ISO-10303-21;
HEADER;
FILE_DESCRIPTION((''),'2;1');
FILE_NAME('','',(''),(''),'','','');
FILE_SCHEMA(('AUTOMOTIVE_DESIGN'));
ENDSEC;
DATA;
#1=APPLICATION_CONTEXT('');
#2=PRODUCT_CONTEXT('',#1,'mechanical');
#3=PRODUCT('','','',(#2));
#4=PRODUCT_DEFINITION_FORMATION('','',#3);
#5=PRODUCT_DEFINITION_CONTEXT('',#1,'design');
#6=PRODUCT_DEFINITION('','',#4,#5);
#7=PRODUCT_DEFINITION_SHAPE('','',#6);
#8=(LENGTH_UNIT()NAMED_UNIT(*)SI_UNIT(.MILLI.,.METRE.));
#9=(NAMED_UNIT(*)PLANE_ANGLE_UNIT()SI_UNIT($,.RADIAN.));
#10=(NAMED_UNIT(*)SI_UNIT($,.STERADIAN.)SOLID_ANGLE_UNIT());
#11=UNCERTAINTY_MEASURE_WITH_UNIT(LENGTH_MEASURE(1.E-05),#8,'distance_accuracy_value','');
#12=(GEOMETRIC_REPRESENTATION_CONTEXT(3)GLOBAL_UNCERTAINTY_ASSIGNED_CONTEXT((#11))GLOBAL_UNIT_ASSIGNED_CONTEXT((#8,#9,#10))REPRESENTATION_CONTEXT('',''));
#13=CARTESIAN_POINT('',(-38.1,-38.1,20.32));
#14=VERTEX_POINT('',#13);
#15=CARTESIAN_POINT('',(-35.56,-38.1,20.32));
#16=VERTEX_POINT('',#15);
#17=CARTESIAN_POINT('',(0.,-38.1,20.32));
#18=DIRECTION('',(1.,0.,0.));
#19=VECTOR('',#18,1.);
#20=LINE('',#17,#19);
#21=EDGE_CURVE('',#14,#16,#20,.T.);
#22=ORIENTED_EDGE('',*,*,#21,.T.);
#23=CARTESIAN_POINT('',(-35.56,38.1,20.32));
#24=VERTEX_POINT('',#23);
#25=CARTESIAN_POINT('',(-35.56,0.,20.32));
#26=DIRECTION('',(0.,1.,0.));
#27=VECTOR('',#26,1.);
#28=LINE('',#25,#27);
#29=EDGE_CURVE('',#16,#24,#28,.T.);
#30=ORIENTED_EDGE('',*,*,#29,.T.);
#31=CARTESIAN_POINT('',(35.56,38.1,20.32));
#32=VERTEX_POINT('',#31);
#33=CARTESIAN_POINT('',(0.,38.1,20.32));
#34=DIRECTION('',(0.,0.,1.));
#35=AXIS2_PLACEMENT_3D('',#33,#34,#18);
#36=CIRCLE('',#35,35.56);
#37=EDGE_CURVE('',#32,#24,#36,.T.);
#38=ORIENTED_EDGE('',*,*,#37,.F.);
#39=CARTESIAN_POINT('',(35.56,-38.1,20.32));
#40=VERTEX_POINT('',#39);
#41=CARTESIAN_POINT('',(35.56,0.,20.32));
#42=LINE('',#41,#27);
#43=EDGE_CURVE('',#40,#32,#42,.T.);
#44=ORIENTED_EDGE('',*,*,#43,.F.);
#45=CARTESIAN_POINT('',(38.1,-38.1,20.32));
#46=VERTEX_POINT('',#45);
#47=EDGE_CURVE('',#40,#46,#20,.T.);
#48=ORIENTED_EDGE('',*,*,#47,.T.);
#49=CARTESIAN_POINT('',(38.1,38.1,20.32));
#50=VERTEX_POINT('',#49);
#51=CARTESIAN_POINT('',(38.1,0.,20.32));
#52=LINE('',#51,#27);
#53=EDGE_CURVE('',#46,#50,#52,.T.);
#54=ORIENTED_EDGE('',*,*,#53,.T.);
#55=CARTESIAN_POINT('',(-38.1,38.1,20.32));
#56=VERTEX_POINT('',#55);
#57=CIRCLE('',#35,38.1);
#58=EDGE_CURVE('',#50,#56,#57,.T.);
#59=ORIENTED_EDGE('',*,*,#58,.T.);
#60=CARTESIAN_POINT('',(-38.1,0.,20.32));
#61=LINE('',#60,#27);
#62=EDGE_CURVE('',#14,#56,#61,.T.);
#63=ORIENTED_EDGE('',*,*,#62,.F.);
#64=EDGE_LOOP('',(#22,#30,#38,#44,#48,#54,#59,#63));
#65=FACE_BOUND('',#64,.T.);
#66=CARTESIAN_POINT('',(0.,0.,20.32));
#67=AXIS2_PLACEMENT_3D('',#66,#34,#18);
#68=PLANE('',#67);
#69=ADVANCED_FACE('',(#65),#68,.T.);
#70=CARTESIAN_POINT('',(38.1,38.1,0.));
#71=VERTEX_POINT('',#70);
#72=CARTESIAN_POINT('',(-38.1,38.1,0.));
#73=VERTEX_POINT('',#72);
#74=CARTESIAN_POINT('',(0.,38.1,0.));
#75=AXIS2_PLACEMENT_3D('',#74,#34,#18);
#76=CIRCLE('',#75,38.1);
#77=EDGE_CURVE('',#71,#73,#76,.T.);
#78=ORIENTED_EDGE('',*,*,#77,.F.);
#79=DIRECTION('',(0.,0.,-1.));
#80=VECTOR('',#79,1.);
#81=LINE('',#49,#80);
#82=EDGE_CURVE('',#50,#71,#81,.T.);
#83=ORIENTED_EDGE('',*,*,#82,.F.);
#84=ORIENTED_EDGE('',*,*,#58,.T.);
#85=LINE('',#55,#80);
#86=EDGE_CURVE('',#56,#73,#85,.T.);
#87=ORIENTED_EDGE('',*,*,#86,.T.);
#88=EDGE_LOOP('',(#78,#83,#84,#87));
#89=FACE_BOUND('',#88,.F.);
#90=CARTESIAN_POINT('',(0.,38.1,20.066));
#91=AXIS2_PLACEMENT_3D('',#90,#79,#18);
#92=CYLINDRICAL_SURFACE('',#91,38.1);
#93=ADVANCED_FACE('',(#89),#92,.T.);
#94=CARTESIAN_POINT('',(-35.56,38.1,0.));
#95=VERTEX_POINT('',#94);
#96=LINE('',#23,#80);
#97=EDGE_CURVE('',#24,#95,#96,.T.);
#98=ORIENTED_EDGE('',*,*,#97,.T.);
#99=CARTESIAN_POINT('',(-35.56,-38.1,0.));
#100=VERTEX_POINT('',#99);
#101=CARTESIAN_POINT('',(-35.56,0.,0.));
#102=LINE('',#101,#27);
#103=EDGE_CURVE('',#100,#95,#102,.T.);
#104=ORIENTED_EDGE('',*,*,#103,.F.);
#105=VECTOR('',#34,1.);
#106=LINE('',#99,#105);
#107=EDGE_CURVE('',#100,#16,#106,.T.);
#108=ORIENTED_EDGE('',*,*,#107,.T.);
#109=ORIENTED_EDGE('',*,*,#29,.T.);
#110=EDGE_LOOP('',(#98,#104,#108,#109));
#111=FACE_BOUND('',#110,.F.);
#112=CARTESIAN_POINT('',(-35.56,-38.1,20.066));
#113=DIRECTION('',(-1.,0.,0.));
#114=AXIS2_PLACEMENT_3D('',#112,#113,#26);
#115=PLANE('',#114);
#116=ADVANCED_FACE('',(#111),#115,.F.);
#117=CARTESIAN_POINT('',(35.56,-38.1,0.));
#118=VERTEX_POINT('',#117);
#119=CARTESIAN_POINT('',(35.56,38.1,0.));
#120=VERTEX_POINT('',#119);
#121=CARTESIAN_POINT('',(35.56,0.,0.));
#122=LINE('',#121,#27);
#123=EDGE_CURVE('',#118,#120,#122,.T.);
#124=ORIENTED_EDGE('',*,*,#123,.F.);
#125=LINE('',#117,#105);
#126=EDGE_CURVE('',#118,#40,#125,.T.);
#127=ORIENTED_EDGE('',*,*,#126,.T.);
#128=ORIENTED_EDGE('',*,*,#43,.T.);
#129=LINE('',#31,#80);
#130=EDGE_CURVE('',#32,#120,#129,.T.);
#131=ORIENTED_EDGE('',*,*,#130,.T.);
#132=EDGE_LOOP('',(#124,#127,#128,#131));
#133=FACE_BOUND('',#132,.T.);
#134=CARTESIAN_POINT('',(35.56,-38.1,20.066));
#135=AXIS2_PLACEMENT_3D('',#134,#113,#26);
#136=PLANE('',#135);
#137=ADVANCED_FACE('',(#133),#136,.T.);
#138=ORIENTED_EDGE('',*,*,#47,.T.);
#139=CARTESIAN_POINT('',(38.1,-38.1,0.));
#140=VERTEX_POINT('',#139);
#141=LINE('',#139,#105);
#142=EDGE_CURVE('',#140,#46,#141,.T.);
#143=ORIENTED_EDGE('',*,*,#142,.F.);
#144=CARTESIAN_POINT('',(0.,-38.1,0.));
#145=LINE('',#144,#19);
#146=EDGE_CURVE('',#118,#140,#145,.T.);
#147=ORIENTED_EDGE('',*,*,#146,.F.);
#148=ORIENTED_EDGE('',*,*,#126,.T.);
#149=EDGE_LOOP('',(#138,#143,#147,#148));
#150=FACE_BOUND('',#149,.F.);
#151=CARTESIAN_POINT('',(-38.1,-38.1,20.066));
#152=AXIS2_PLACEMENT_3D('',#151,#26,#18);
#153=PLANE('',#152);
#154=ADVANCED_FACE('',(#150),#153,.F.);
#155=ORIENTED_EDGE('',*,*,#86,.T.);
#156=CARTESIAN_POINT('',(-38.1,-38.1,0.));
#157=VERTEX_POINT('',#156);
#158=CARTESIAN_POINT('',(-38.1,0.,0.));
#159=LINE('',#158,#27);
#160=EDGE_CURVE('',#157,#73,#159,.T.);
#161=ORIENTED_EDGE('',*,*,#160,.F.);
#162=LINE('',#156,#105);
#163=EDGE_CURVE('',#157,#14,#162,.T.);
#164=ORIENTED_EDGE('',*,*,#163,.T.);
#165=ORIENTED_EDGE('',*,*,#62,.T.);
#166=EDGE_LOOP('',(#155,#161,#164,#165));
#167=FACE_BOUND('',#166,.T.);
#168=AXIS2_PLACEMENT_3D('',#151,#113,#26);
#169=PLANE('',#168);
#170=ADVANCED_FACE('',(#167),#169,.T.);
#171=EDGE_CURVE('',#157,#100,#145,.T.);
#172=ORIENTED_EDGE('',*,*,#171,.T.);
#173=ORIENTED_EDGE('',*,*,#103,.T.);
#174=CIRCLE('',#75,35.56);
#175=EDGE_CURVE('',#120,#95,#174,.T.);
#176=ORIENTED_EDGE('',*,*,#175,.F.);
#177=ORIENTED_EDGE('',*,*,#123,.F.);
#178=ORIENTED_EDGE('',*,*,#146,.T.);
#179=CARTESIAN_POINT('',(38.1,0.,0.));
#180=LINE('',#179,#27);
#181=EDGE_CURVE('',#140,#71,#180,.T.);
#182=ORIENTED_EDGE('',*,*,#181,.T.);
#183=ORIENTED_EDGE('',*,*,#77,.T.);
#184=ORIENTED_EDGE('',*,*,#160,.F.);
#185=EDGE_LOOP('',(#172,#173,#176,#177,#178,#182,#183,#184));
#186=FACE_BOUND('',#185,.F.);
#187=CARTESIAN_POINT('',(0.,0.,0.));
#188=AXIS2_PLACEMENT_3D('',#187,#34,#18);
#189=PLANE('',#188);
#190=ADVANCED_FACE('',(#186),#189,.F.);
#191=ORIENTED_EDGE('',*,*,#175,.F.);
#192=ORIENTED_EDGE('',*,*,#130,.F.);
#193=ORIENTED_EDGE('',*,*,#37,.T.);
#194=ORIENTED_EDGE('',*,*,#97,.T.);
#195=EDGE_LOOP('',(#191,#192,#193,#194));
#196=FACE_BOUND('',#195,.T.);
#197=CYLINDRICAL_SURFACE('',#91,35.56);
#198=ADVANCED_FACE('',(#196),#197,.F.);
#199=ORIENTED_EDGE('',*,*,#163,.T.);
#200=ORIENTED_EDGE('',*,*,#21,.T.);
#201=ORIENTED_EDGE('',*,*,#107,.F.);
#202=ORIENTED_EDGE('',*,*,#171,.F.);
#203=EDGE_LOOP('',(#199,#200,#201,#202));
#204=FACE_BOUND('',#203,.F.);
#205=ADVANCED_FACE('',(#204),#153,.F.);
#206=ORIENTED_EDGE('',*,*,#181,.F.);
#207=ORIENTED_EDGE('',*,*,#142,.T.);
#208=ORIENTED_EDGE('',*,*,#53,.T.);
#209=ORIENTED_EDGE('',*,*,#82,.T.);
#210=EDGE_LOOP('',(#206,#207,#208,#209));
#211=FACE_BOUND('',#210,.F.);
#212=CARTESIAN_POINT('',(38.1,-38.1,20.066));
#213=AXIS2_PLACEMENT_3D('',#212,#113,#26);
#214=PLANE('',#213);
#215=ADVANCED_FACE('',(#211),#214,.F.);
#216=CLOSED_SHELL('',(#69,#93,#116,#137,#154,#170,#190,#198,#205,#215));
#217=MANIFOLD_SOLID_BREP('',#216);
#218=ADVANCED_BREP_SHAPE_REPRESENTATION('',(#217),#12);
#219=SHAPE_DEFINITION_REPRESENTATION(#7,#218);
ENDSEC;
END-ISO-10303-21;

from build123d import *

# Parameters (mm, degrees)
F0_W     = 76.2
F0_H     = 76.2
F1_DEPTH = 20.066
F2_DEPTH = 0.254
F3_T     = -2.54


with BuildPart() as f1:
    # F0 (on Top) → F1 (new body)
    with BuildSketch(Plane.XY):
        Rectangle(F0_W, F0_H)
        with BuildLine():
            Line((-38.1, 38.1), (38.1, 38.1))
            ThreePointArc((38.1, 38.1), (0, 76.2), (-38.1, 38.1))
        make_face()
    extrude(amount=F1_DEPTH)

    # F2 (add): a face of the model
    f2_faces = [f1.faces().sort_by_distance(p)[0] for p in [
        (0, 15.3025411539, 20.066),
    ]]
    extrude(f2_faces, amount=F2_DEPTH)

    # F3
    f3_openings = [f1.faces().sort_by_distance(p)[0] for p in [
        (0, -38.1, 10.16),
        (0, 15.302541, 20.32),
        (0, 15.302541, 0),
    ]]
    offset(amount=F3_T, openings=f3_openings)


solid = f1.part
